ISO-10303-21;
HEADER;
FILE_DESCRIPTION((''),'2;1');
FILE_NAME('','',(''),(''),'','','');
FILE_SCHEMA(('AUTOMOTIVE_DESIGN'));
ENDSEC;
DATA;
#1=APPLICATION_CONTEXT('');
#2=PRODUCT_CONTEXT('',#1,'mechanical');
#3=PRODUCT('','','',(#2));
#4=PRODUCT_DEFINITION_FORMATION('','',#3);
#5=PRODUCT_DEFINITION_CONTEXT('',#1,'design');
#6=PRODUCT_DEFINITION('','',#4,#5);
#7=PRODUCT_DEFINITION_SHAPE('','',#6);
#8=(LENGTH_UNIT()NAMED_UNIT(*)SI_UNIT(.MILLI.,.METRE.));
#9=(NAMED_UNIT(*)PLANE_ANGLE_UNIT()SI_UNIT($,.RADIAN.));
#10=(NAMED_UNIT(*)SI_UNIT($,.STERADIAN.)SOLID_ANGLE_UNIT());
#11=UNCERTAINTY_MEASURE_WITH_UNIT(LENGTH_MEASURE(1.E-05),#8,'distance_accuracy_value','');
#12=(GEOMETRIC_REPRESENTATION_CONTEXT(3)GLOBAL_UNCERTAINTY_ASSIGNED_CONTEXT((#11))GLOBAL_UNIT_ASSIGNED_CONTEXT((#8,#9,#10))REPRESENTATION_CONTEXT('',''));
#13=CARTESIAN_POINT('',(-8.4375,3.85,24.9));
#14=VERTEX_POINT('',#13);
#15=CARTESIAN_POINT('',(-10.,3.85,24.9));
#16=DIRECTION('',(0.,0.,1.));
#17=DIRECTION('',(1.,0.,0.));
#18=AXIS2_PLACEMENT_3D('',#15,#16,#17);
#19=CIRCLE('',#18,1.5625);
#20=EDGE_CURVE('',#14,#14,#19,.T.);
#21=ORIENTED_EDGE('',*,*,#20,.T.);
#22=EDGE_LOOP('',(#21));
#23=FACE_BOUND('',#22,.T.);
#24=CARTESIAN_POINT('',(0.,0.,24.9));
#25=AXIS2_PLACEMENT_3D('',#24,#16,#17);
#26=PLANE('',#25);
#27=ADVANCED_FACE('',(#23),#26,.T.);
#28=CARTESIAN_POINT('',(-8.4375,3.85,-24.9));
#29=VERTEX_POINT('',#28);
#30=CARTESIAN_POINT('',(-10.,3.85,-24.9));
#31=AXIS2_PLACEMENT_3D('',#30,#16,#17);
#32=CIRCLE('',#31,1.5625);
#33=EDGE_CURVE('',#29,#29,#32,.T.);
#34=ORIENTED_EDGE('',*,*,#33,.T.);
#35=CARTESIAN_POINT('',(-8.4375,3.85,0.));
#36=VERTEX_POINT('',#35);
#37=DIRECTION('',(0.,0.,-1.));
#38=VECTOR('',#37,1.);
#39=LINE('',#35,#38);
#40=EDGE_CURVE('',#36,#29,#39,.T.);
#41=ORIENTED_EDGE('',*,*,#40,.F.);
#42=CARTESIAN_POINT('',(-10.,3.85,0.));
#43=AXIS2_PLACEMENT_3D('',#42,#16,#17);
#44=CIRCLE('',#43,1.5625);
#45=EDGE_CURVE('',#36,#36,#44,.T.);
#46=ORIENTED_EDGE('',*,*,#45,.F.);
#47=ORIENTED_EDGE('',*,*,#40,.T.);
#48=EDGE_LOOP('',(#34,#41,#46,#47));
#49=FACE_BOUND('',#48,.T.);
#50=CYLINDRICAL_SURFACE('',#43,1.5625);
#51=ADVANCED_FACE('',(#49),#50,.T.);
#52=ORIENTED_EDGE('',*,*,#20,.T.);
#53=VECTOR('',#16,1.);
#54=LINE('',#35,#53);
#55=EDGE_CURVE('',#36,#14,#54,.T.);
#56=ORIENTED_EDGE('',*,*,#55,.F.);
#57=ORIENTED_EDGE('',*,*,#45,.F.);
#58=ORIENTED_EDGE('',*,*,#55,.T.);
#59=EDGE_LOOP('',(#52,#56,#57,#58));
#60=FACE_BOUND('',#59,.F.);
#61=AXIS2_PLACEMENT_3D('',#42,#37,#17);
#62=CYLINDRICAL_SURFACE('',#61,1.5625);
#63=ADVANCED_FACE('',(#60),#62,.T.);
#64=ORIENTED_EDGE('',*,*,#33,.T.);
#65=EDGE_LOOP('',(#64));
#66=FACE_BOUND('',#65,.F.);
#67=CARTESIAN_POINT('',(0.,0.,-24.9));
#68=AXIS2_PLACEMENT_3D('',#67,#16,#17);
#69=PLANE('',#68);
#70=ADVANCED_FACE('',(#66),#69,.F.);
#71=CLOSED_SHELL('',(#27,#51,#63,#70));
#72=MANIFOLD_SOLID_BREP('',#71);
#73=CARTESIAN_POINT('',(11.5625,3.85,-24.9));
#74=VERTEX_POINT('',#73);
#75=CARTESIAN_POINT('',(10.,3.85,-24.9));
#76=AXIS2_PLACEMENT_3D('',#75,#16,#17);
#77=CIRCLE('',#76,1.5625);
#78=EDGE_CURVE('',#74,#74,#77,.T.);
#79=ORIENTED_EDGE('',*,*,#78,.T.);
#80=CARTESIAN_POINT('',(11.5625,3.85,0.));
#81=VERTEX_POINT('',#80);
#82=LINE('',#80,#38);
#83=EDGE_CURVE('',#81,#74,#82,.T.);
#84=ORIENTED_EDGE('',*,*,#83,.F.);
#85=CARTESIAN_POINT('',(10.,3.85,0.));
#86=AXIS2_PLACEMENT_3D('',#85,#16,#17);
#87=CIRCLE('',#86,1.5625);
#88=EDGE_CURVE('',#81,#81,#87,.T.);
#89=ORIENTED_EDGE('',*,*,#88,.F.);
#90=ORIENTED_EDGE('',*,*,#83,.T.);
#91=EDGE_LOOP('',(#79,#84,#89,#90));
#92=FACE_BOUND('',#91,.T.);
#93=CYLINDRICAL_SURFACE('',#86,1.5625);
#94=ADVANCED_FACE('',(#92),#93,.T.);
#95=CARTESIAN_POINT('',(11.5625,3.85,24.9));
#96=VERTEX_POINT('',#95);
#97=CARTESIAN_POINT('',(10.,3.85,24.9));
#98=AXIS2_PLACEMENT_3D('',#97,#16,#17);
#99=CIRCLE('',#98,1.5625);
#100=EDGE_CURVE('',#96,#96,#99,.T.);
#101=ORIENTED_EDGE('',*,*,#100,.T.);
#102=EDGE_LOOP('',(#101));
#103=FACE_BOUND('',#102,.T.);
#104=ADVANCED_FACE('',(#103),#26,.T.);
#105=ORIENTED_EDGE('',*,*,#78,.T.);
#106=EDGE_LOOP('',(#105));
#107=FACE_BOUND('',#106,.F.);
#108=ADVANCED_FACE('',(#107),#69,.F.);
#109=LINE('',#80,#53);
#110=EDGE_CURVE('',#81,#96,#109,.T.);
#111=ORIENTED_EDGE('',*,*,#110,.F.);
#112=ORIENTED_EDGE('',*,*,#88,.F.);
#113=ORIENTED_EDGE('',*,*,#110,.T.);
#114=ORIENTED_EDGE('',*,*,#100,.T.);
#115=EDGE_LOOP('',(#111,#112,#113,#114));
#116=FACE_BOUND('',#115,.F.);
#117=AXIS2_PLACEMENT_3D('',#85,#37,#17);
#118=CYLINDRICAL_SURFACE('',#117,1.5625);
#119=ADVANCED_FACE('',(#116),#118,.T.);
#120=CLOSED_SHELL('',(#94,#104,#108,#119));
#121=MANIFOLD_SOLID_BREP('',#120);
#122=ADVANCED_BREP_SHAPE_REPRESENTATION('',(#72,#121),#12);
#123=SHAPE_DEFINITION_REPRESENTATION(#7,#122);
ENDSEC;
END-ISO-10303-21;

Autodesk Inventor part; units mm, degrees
ref_plane "YZ Plane" through (0, 0, 0) normal (1, 0, 0) x (0, 1, 0)
ref_plane "XZ Plane" through (0, 0, 0) normal (0, 1, 0) x (-1, 0, 0)
ref_plane "XY Plane" through (0, 0, 0) normal (0, 0, 1) x (1, 0, 0)
sketch "Sketch1" plane through (0, 0, 0) normal (0, 0, 1) x (1, 0, 0)
  line L0 (22.9, 0.025) -> (-22.9, 0.025) projected
  line L1 (22.9, 42.1) -> (22.9, 0.025) projected
  line L2 (22.9, 42.1) -> (17.05, 42.1) projected
  line L3 (17.05, 7.7) -> (17.05, 42.1) projected
  line L4 (-17.05, 7.7) -> (17.05, 7.7) projected
  line L5 (-17.05, 7.7) -> (-17.05, 42.1) projected
  line L6 (-17.05, 42.1) -> (-22.9, 42.1) projected
  line L7 (-22.9, 0.025) -> (-22.9, 42.1) projected
  circle A0 centre (19.9, 34.8) radius 2.0625 projected
  circle A1 centre (-19.9, 34.8) radius 2.0625 projected
  circle A2 centre (19.9, 15) radius 2.0625 projected
  circle A3 centre (-19.9, 15) radius 2.0625 projected
  circle A4 centre (10, 3.85) radius 1.5625 projected
  circle A5 centre (-10, 3.85) radius 1.5625 projected
  point P0 (0, 0)
extrude "Extrusion1" add sketch "Sketch1" along normal mid plane 49.8 contours A4 | A5
properties part number "Mounting Bar"
